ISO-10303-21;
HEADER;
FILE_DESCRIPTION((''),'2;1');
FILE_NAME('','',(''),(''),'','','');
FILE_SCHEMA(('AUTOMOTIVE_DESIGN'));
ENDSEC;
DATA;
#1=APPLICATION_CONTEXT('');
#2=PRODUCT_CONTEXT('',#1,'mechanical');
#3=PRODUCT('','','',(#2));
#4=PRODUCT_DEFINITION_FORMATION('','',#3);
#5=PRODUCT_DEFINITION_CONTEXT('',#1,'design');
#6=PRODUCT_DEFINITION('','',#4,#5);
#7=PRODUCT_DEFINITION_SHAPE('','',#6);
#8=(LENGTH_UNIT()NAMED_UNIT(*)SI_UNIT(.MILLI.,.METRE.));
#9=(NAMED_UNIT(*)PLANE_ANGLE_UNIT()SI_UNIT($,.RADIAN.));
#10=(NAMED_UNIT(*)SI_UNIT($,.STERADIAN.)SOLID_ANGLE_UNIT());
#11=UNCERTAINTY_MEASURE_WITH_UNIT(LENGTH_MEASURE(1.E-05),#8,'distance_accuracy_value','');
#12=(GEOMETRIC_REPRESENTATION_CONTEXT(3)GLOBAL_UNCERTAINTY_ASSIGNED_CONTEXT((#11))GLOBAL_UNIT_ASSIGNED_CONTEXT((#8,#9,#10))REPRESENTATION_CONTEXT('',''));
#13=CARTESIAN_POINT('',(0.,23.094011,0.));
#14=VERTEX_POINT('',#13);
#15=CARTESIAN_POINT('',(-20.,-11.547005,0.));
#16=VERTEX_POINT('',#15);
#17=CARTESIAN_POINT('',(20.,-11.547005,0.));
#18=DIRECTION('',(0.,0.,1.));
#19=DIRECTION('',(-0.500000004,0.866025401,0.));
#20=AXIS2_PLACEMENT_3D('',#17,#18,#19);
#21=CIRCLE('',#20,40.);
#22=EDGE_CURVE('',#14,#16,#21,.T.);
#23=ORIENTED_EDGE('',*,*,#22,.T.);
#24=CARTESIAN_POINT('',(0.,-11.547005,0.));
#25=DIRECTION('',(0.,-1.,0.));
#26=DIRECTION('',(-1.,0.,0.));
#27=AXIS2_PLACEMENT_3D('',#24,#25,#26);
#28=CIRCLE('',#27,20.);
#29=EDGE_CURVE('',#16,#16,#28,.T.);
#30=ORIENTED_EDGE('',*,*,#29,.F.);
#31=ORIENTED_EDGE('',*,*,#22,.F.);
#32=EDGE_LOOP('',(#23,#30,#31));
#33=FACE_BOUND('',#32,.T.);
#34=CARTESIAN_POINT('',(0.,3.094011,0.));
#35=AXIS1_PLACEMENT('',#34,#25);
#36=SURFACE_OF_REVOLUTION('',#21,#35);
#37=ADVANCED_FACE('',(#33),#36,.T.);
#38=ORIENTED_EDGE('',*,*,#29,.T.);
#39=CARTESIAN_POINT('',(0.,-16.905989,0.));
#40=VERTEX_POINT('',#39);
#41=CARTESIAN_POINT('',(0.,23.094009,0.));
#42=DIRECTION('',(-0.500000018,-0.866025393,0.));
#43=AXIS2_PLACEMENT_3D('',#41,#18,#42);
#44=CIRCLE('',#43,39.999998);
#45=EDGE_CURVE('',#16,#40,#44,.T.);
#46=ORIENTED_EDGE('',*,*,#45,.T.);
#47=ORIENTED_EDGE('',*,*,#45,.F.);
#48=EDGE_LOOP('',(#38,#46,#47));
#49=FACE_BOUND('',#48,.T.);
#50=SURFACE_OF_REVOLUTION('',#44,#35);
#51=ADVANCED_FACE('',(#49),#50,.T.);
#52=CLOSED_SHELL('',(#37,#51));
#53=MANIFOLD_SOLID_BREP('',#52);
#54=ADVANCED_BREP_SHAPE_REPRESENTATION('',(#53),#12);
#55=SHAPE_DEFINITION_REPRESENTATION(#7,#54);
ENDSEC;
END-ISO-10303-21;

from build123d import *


with BuildPart() as f1:
    # F0 (on Top) → F1 (revolve)
    with BuildSketch(Plane.XY):
        with BuildLine():
            Line((0, -16.905989), (0, 23.094011))
            ThreePointArc((0, 23.094011), (-14.641016, 8.452995), (-20, -11.547005))
            ThreePointArc((-20, -11.547005), (-10.352762, -15.543022), (0, -16.905989))
        make_face()
    revolve(axis=Axis((0, 3.094011, 0), (0, -1, 0)))


solid = f1.part
